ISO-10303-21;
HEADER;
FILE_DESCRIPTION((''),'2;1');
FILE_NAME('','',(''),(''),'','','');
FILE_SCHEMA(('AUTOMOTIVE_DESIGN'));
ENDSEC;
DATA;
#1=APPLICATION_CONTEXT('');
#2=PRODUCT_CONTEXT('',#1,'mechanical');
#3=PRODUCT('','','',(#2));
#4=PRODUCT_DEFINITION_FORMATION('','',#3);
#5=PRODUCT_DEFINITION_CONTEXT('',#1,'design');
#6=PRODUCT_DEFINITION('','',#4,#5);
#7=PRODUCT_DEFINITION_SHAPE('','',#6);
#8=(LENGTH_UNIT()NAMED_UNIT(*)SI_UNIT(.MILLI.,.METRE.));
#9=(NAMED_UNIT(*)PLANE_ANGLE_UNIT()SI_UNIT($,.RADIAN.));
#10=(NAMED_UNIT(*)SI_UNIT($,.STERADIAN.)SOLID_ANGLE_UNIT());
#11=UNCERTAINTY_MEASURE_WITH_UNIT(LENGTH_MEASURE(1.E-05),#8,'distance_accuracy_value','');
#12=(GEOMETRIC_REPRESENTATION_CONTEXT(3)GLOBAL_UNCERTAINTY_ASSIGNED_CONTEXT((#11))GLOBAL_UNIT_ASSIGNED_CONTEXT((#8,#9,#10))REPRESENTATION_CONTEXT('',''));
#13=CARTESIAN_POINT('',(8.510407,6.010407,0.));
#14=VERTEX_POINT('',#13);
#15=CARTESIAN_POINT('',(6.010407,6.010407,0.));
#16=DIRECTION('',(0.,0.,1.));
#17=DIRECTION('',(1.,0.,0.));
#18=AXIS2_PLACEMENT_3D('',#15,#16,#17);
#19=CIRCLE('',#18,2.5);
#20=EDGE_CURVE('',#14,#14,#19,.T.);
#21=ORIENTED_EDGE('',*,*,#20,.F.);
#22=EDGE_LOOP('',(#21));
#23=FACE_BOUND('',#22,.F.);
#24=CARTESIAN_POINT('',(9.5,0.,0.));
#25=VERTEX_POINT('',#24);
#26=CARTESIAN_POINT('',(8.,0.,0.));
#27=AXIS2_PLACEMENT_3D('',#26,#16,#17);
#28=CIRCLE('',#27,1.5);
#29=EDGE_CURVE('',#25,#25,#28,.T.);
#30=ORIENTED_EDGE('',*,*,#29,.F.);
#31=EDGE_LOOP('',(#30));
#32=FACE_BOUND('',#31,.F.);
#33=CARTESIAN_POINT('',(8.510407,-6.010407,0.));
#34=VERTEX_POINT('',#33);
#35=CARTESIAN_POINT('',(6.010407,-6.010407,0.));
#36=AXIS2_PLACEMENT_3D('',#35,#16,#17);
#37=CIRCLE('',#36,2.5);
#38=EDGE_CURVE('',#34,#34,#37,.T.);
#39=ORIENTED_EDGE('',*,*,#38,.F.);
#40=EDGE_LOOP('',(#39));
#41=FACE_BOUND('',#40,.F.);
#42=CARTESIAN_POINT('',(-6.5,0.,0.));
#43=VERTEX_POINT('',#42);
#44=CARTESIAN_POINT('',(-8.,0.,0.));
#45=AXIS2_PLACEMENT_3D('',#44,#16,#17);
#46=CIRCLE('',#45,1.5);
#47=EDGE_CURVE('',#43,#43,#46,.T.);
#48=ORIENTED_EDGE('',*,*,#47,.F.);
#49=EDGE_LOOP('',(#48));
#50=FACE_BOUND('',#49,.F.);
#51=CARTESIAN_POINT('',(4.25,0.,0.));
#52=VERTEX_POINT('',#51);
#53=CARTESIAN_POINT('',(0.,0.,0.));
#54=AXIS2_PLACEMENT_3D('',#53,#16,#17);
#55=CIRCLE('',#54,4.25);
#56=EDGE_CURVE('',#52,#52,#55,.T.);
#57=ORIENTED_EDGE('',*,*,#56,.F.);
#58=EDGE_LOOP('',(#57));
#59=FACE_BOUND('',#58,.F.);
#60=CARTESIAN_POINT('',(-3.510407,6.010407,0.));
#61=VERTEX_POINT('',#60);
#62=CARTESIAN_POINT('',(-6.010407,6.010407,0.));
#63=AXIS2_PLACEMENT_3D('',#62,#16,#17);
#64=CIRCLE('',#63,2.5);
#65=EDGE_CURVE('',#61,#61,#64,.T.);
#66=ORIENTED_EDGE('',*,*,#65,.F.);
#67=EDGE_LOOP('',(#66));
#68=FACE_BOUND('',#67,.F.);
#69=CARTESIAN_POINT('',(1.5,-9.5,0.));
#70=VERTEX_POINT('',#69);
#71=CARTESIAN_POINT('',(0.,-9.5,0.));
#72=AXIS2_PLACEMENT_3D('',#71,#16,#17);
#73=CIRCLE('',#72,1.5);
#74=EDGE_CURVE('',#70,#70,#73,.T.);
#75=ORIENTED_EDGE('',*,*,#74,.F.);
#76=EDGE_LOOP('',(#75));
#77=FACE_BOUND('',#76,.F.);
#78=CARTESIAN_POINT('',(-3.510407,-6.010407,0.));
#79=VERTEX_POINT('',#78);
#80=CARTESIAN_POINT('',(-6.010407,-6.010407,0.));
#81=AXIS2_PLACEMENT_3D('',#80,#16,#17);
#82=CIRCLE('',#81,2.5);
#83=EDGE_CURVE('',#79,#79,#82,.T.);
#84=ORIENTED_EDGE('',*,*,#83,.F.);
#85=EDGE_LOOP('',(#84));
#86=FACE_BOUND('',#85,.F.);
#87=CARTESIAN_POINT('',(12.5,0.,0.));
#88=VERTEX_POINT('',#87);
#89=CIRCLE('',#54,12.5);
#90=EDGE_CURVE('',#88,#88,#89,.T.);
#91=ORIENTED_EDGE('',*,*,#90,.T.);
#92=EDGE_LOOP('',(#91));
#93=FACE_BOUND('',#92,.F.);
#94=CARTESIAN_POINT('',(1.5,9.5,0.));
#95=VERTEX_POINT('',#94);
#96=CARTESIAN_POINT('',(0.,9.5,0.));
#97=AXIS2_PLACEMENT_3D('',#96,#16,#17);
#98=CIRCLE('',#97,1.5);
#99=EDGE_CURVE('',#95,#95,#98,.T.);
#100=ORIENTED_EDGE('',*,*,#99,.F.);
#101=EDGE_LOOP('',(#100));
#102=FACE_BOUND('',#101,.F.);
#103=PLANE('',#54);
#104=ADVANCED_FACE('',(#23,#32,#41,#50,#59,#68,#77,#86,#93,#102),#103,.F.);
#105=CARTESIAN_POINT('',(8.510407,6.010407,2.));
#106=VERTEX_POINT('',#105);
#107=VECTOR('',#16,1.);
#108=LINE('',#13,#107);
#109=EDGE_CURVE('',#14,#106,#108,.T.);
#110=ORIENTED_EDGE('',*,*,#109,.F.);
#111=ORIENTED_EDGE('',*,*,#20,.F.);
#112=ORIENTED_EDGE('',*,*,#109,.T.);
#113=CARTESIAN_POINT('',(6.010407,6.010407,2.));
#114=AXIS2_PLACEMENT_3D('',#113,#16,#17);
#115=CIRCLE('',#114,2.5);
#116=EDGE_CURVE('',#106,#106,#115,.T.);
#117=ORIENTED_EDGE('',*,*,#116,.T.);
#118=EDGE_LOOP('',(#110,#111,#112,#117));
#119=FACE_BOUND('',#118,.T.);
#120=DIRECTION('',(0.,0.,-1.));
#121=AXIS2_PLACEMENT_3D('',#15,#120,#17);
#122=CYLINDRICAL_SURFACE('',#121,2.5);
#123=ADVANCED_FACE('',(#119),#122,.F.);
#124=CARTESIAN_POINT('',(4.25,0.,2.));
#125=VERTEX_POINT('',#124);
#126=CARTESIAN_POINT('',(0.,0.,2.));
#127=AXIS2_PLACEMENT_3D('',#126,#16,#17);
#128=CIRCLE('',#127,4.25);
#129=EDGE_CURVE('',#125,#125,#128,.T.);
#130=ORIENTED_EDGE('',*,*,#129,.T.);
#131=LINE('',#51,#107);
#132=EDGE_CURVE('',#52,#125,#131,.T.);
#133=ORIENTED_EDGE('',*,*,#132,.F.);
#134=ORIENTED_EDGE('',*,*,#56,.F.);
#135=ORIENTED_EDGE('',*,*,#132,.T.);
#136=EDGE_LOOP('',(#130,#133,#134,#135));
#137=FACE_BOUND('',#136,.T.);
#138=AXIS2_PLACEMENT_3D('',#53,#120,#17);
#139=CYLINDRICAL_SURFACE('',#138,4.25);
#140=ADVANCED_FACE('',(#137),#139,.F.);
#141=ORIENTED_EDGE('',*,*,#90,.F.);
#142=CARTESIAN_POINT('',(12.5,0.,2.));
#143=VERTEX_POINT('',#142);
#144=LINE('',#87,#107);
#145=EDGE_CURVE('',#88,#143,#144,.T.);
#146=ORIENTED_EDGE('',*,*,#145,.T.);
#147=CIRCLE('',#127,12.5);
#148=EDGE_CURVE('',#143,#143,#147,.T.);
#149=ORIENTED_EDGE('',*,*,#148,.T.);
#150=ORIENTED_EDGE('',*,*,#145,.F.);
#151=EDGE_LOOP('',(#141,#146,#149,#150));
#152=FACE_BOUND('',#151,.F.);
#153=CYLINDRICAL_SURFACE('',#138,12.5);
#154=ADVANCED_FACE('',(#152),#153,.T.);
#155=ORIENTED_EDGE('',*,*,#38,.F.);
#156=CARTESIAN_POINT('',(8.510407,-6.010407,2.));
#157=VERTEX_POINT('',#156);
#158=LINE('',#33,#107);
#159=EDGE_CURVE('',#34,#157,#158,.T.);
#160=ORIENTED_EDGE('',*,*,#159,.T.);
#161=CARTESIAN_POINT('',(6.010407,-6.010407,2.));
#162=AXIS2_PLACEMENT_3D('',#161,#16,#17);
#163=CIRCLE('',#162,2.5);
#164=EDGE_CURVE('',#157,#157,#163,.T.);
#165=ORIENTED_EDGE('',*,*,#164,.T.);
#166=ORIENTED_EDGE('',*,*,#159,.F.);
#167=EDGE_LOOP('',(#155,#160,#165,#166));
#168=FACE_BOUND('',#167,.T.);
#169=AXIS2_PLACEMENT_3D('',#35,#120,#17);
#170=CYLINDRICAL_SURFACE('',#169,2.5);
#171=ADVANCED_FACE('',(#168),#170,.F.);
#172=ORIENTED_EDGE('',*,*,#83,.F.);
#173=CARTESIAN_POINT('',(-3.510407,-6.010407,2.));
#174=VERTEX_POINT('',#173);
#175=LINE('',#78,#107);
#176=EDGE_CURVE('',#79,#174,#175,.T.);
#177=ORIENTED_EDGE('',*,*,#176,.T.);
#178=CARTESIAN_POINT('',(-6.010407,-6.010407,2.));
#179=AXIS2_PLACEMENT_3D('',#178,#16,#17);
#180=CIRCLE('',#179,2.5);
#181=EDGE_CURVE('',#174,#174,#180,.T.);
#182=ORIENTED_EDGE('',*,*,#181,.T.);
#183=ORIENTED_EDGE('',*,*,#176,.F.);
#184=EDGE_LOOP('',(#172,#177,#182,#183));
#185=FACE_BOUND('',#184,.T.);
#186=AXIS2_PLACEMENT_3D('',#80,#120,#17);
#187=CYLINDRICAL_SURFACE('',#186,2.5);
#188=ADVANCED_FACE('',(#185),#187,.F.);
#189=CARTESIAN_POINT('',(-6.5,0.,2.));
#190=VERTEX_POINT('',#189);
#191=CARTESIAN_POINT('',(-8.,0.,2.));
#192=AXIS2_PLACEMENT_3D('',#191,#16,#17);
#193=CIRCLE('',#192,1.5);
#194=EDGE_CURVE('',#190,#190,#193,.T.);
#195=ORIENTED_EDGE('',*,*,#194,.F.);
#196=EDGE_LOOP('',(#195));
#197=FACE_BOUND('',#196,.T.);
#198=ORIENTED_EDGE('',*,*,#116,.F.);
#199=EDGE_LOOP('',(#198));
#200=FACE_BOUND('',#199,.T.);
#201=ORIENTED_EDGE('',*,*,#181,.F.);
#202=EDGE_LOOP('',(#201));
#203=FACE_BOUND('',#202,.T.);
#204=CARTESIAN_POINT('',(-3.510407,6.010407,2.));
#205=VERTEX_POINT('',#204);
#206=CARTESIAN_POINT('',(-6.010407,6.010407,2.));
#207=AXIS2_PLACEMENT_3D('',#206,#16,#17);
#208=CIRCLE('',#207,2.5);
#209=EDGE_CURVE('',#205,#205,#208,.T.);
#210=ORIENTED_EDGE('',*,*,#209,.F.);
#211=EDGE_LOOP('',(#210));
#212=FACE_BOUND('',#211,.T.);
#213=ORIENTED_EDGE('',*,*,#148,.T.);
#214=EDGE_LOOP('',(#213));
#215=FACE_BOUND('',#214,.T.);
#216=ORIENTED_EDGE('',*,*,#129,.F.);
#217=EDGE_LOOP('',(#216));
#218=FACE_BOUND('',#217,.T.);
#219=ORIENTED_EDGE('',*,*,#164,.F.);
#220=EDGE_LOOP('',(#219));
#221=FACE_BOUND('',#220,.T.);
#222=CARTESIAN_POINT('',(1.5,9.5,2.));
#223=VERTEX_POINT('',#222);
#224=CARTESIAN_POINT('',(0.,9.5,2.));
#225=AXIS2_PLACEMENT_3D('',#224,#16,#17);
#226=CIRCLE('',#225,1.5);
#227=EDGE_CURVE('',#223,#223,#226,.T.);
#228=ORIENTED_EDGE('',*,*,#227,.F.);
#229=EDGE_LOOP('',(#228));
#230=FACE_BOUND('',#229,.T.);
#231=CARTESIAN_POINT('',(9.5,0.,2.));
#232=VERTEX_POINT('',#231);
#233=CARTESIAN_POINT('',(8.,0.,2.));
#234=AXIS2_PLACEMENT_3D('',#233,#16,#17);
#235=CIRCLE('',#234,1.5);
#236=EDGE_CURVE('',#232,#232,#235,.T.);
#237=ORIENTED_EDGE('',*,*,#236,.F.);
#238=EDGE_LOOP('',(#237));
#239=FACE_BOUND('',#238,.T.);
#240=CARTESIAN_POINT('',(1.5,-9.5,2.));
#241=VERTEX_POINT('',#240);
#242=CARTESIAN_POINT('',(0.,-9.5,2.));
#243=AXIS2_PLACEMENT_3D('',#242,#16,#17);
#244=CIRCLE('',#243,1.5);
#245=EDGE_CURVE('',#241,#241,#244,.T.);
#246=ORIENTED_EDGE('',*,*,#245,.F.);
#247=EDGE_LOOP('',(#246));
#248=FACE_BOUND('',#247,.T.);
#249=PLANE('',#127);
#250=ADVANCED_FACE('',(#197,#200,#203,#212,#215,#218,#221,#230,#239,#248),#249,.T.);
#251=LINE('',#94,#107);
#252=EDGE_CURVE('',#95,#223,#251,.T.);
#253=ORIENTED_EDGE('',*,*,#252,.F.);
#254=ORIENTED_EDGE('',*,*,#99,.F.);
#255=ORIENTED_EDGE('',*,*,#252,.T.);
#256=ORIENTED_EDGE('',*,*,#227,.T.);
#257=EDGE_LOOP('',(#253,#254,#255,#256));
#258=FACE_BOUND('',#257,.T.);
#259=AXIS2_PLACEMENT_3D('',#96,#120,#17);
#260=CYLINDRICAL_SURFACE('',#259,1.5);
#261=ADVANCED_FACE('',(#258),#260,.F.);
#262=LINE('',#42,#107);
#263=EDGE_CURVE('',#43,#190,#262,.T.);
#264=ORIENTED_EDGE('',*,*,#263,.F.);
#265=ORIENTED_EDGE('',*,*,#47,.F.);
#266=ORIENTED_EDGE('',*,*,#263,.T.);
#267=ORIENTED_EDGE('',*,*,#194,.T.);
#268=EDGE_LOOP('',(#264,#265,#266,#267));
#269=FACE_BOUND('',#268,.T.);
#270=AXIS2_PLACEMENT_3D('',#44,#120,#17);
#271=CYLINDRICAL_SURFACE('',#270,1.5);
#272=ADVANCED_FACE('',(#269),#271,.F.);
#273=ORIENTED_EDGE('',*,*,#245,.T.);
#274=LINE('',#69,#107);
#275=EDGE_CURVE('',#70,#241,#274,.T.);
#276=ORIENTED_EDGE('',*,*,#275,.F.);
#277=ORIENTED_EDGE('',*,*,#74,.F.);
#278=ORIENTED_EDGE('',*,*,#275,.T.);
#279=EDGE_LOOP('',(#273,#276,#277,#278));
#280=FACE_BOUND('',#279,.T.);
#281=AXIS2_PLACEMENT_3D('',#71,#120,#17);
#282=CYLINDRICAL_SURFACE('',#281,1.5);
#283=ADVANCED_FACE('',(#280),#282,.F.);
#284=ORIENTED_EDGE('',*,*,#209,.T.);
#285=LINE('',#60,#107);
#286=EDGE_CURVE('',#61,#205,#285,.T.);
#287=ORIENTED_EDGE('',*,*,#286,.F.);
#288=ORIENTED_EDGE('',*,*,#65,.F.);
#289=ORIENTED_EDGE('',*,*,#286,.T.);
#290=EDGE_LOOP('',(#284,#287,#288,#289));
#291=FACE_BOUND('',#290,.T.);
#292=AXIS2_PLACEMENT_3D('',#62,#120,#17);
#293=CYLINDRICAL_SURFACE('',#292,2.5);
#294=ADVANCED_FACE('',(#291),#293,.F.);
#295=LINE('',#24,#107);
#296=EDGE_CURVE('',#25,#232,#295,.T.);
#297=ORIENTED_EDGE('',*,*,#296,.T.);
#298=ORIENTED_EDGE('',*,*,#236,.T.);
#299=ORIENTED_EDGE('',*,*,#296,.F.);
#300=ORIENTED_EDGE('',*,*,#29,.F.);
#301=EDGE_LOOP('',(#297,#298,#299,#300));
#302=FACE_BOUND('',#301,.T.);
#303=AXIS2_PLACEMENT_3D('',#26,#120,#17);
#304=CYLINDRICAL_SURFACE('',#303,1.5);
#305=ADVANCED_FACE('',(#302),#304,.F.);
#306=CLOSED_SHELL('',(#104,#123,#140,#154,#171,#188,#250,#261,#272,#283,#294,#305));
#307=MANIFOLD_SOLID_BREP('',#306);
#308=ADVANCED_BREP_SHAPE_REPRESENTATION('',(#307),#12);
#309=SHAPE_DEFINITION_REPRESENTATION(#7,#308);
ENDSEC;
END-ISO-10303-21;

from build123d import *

# Parameters (mm, degrees)
F0_R     = 12.5
F0_R_2   = 2.5
F0_R_3   = 1.5
F0_R_4   = 4.25
F1_DEPTH = 2


with BuildPart() as f1:
    # F0 (on Top) → F1 (new body)
    with BuildSketch(Plane.XY):
        Circle(F0_R)
        with Locations((-6.010407, -6.010407)):
            Circle(F0_R_2, mode=Mode.SUBTRACT)
        with Locations((0, -9.5)):
            Circle(F0_R_3, mode=Mode.SUBTRACT)
        with Locations((6.010407, -6.010407)):
            Circle(F0_R_2, mode=Mode.SUBTRACT)
        with Locations((-8, 0)):
            Circle(F0_R_3, mode=Mode.SUBTRACT)
        with Locations((-6.010407, 6.010407)):
            Circle(F0_R_2, mode=Mode.SUBTRACT)
        Circle(F0_R_4, mode=Mode.SUBTRACT)
        with Locations((6.010407, 6.010407)):
            Circle(F0_R_2, mode=Mode.SUBTRACT)
        with Locations((8, 0)):
            Circle(F0_R_3, mode=Mode.SUBTRACT)
        with Locations((0, 9.5)):
            Circle(F0_R_3, mode=Mode.SUBTRACT)
    extrude(amount=F1_DEPTH)


solid = f1.part
